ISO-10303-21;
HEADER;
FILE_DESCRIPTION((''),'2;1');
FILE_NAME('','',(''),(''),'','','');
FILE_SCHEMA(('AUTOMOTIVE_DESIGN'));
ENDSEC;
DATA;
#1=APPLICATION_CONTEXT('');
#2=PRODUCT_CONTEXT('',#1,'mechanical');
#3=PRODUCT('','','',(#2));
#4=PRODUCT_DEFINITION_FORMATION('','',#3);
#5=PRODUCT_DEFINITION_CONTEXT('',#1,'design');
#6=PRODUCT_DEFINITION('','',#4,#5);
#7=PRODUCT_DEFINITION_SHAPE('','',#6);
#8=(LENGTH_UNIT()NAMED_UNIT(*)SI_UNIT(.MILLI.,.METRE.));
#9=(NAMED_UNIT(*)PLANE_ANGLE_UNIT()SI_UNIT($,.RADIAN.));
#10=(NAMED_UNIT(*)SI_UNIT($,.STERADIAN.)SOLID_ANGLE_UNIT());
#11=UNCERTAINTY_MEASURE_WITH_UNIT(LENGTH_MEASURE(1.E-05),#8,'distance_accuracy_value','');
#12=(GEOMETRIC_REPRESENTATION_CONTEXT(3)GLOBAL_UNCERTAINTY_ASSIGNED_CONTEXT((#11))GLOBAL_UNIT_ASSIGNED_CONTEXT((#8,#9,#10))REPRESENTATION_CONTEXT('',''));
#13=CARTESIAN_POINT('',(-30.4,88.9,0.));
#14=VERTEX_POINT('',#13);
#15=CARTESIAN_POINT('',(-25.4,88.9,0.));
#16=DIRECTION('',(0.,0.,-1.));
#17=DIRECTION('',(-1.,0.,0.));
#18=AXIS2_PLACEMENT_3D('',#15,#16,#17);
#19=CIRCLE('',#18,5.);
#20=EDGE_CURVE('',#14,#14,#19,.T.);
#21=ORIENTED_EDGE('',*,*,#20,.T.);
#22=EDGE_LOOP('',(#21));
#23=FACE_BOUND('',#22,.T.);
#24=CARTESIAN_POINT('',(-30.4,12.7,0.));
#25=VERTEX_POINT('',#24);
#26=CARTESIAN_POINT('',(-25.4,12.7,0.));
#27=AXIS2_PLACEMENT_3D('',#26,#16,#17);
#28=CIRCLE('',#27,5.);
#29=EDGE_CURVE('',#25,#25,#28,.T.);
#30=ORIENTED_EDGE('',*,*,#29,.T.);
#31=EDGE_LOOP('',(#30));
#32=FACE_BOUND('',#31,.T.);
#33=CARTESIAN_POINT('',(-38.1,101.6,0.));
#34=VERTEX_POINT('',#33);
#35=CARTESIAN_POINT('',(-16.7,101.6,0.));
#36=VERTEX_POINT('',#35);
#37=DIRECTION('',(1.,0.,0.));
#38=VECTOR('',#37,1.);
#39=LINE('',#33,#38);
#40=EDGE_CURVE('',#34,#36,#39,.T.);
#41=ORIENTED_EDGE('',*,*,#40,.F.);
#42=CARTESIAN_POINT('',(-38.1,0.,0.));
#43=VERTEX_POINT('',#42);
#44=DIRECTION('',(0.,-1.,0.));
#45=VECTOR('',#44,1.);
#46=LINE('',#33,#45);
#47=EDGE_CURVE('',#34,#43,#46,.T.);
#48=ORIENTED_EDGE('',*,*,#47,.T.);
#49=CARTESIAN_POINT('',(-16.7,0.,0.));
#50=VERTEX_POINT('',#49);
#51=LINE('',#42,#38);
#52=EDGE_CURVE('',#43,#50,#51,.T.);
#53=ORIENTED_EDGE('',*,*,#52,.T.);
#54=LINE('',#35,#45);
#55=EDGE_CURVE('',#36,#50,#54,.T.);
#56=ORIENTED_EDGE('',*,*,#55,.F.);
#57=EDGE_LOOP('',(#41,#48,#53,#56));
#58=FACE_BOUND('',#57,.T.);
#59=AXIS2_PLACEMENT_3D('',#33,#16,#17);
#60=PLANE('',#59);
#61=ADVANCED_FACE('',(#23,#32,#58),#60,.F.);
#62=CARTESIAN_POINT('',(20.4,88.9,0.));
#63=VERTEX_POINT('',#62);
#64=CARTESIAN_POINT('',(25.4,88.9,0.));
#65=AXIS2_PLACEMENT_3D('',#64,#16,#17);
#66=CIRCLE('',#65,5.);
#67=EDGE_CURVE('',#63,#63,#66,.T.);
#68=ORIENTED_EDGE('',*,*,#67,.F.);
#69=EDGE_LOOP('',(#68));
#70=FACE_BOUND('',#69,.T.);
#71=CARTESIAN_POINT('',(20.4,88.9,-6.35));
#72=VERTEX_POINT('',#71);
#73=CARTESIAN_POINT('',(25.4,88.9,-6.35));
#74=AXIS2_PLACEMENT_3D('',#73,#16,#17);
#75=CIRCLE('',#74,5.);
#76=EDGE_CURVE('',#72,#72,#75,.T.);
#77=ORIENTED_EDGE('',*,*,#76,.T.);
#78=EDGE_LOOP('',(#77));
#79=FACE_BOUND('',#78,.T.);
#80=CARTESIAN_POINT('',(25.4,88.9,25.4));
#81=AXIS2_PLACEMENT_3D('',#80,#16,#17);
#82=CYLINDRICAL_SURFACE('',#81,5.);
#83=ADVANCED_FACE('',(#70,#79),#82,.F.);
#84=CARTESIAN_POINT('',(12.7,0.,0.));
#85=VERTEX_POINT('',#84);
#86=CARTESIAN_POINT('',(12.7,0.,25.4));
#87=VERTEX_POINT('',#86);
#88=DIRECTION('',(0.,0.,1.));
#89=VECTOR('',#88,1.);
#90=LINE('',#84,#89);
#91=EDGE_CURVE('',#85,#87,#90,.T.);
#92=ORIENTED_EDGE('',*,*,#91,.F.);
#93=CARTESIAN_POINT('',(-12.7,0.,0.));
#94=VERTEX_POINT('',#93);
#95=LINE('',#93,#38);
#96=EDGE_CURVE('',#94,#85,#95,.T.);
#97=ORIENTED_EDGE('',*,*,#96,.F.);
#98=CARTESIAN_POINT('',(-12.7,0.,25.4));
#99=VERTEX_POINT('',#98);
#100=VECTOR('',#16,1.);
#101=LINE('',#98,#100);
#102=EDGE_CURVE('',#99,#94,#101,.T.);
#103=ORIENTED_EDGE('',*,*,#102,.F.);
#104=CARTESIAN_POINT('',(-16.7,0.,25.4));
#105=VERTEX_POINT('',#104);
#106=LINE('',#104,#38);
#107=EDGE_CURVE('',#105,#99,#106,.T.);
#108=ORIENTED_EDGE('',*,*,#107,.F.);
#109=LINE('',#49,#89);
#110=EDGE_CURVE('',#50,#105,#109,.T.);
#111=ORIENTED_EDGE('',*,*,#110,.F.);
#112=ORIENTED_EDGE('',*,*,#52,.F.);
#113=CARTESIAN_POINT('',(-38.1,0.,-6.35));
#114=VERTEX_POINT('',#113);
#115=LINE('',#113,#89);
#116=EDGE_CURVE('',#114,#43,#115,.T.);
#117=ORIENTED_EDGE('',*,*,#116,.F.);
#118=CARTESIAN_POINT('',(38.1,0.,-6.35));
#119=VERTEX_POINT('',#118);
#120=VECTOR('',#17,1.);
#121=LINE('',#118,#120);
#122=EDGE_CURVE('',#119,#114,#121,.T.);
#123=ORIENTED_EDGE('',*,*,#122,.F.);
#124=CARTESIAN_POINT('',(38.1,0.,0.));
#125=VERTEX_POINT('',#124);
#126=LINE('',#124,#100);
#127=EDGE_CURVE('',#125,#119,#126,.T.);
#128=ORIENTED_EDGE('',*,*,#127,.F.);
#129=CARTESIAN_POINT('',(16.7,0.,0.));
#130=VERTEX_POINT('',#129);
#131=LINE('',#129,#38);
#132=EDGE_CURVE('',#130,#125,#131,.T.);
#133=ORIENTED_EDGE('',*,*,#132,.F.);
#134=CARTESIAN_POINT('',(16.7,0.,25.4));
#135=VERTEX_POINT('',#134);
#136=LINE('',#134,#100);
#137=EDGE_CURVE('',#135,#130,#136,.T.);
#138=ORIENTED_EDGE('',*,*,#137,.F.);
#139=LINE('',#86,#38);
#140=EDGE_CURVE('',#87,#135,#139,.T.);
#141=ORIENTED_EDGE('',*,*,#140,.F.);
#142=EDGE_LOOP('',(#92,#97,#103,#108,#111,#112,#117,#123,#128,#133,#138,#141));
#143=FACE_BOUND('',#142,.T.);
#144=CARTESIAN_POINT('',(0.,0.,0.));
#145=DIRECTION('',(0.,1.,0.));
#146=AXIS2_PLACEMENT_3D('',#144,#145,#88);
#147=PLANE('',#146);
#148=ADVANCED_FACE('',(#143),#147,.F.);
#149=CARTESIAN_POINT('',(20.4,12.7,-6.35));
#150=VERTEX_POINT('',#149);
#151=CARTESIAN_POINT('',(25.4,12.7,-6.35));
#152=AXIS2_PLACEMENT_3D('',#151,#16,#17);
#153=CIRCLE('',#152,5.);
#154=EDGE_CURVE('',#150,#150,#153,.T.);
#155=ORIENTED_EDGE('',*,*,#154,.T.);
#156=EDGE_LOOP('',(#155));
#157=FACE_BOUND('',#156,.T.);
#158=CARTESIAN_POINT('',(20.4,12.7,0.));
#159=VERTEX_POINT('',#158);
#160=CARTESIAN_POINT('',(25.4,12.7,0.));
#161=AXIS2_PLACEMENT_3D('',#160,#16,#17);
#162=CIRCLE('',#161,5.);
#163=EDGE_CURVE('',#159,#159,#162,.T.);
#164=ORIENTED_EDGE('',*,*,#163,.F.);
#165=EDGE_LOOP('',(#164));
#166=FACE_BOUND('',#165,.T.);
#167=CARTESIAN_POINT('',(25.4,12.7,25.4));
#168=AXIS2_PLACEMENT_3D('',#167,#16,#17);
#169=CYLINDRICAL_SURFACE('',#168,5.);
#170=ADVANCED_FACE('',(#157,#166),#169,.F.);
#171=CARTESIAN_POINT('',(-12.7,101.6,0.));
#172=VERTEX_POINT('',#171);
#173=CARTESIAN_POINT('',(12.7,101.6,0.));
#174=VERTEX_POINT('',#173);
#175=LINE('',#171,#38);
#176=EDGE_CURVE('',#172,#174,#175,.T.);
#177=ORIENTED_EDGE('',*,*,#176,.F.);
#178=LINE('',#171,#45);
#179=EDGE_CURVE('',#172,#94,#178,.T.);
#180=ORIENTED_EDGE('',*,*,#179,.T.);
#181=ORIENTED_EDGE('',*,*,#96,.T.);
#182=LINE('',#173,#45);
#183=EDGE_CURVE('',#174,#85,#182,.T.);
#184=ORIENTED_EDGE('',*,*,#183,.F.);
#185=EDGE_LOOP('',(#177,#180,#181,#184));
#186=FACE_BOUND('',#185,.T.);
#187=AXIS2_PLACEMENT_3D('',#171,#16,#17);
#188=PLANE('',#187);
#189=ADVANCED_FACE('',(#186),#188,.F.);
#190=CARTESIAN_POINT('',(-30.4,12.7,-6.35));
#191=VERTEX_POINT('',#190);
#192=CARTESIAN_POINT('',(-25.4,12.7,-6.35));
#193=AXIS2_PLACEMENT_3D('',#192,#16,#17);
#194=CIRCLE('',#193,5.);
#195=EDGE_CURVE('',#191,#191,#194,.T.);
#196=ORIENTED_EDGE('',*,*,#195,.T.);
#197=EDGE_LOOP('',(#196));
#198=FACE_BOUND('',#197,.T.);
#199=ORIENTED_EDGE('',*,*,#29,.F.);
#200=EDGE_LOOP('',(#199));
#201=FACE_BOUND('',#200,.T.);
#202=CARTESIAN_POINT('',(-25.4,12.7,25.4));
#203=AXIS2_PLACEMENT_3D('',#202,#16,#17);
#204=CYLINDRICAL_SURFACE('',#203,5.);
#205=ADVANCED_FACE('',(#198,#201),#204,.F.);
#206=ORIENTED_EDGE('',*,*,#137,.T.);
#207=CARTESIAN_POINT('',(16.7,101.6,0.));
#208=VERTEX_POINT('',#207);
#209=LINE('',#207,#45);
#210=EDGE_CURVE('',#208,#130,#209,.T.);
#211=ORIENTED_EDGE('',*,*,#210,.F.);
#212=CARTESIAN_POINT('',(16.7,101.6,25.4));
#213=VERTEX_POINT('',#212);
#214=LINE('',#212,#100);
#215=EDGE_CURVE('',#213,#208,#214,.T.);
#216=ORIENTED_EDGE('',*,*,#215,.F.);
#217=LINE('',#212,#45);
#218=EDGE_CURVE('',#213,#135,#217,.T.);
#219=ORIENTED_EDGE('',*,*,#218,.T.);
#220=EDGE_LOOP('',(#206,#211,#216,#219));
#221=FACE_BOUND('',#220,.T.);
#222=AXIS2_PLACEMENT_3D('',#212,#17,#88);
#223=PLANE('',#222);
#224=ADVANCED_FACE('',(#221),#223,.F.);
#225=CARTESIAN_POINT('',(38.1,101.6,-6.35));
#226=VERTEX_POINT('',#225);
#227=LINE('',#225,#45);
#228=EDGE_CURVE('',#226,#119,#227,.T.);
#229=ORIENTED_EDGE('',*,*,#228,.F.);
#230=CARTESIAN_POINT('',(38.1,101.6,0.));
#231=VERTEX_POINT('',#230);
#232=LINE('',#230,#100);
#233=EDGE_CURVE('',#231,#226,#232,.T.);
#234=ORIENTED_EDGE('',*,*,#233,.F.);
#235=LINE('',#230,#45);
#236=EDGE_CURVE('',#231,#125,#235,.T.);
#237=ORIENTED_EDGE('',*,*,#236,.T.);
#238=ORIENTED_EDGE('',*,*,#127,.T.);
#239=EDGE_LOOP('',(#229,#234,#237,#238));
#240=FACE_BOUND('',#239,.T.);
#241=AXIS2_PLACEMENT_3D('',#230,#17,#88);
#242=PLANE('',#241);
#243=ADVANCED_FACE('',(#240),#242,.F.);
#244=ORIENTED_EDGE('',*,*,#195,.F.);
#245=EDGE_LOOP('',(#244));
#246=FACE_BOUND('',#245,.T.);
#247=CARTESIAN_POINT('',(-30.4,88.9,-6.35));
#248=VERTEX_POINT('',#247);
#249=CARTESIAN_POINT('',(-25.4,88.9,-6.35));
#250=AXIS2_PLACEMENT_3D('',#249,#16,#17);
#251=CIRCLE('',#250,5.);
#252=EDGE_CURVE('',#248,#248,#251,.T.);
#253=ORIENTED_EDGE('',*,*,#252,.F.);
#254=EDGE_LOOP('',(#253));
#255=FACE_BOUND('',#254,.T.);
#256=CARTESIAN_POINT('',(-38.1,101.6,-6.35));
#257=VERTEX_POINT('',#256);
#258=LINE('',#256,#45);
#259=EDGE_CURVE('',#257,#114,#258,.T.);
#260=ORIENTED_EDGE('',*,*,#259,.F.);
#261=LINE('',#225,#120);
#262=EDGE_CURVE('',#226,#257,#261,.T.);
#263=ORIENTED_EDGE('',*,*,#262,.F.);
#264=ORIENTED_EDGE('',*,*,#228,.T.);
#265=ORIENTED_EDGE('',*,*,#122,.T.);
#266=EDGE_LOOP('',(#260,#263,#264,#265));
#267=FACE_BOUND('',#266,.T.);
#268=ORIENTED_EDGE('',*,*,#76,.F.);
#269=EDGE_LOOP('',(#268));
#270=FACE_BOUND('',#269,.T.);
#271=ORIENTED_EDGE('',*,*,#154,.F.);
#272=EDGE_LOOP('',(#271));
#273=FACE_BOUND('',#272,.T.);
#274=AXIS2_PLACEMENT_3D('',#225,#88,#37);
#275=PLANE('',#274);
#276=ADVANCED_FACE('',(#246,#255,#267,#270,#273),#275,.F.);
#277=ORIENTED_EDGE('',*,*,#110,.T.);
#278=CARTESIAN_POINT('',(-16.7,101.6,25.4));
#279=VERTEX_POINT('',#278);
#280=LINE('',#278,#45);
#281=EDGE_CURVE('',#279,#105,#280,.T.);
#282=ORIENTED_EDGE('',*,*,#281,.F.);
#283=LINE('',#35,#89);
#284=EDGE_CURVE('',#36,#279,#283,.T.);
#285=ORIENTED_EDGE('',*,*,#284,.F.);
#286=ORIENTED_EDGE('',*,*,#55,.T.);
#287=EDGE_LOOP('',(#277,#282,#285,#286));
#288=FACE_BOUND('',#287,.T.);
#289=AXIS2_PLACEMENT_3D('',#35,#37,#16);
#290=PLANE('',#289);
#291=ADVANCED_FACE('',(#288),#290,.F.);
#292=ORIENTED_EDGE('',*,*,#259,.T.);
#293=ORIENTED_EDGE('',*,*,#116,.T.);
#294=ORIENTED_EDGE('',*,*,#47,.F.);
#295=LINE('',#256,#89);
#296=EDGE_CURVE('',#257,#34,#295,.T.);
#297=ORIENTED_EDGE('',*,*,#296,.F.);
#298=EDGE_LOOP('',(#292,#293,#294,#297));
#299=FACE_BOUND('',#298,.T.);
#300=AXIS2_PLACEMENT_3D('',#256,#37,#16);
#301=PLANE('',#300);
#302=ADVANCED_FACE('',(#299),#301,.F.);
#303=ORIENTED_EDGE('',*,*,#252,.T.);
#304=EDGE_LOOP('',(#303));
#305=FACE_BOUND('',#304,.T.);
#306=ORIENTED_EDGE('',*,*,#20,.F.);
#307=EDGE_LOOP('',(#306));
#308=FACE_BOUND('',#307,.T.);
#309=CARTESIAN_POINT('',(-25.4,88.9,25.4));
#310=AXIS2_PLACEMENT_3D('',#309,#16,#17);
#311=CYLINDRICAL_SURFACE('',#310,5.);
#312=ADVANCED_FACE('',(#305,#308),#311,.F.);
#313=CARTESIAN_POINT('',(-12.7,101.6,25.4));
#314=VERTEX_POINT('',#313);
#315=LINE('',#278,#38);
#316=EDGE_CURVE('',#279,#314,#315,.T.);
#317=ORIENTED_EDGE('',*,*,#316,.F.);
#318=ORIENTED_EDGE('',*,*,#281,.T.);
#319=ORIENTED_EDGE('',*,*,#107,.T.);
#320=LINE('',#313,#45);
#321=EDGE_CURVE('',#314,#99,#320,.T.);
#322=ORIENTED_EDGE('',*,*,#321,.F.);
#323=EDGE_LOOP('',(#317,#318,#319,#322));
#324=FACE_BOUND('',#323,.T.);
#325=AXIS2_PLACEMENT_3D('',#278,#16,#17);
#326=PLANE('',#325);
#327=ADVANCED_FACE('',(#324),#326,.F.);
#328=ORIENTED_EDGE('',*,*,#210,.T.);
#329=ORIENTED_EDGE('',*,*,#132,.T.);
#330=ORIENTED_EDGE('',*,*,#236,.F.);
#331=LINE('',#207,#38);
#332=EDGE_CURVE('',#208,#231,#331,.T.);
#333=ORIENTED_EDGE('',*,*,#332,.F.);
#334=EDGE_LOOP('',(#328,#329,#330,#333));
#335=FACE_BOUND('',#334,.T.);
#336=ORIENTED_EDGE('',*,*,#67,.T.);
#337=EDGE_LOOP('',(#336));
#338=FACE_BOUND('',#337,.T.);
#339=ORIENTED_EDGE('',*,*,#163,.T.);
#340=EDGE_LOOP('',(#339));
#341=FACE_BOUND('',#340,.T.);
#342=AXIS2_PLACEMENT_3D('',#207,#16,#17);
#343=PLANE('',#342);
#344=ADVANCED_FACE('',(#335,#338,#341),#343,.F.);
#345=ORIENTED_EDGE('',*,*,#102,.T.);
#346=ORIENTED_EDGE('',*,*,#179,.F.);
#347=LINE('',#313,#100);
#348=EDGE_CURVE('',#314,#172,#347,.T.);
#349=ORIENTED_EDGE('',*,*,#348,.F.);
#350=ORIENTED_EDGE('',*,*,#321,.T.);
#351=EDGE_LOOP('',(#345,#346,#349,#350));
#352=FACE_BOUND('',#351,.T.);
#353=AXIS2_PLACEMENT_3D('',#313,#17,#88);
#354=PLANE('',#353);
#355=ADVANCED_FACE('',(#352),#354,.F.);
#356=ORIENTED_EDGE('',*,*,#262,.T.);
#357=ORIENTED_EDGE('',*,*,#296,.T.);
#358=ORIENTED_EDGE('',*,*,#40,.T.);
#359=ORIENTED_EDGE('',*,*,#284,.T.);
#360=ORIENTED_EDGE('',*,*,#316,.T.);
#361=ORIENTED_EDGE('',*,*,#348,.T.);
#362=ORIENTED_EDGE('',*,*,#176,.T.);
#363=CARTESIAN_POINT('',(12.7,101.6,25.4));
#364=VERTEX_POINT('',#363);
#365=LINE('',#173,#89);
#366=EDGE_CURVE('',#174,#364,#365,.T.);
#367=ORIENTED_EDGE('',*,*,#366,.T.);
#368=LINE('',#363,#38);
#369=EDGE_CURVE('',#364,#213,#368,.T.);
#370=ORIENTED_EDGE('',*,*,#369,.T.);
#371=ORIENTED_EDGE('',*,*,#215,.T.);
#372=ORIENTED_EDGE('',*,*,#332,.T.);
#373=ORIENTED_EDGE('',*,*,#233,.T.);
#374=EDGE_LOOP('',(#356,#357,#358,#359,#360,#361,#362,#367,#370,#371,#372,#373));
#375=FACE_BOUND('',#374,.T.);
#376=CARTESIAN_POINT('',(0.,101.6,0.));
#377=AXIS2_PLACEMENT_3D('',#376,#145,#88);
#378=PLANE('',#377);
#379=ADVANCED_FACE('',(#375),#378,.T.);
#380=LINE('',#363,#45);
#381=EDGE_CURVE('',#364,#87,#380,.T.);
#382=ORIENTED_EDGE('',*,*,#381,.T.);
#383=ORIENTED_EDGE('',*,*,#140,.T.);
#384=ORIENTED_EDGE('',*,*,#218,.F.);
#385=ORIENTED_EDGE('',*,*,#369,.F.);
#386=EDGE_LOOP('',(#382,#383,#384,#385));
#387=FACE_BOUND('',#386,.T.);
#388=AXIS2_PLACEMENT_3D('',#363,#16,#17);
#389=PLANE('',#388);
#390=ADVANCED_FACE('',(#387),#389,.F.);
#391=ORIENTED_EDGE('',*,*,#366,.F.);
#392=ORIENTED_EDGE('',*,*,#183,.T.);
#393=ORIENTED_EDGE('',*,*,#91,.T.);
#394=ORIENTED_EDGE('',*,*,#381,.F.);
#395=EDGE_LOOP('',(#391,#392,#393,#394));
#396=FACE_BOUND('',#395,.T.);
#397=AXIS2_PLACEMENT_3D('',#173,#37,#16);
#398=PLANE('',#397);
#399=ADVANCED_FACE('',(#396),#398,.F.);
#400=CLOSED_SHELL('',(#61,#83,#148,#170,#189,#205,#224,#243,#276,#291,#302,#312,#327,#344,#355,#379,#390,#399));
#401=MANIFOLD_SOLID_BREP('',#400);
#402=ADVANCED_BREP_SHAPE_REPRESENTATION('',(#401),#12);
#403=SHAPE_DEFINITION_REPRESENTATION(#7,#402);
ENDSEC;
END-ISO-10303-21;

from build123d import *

# Parameters (mm, degrees)
BOSS_EXTRUDE1_DEPTH = 101.6
SKETCH2_R           = 5
CUT_EXTRUDE1_DEPTH  = 114.058535724


with BuildPart() as part:
    # Sketch1 → Boss-Extrude1 (new body)
    with BuildSketch(Plane(origin=(0, 0, 0), x_dir=(1, 0, 0), z_dir=(0, 1, 0))):
        Polygon((-12.7, 0), (12.7, 0), (12.7, -25.4), (16.7, -25.4), (16.7, 0), (38.1, 0), (38.1, 6.35), (-38.1, 6.35), (-38.1, 0), (-16.7, 0), (-16.7, -25.4), (-12.7, -25.4), align=None)
    extrude(amount=BOSS_EXTRUDE1_DEPTH)

    # Sketch2 → Cut-Extrude1 (cut, through all)
    with BuildSketch(Plane(origin=(0, 0, -6.35), x_dir=(-1, 0, 0), z_dir=(0, 0, -1))):
        with Locations((-25.4, 88.9)):
            Circle(SKETCH2_R)
        with Locations((25.4, 88.9)):
            Circle(SKETCH2_R)
        with Locations((-25.4, 12.7)):
            Circle(SKETCH2_R)
        with Locations((25.4, 12.7)):
            Circle(SKETCH2_R)
    extrude(amount=-CUT_EXTRUDE1_DEPTH, mode=Mode.SUBTRACT)


solid = part.part
